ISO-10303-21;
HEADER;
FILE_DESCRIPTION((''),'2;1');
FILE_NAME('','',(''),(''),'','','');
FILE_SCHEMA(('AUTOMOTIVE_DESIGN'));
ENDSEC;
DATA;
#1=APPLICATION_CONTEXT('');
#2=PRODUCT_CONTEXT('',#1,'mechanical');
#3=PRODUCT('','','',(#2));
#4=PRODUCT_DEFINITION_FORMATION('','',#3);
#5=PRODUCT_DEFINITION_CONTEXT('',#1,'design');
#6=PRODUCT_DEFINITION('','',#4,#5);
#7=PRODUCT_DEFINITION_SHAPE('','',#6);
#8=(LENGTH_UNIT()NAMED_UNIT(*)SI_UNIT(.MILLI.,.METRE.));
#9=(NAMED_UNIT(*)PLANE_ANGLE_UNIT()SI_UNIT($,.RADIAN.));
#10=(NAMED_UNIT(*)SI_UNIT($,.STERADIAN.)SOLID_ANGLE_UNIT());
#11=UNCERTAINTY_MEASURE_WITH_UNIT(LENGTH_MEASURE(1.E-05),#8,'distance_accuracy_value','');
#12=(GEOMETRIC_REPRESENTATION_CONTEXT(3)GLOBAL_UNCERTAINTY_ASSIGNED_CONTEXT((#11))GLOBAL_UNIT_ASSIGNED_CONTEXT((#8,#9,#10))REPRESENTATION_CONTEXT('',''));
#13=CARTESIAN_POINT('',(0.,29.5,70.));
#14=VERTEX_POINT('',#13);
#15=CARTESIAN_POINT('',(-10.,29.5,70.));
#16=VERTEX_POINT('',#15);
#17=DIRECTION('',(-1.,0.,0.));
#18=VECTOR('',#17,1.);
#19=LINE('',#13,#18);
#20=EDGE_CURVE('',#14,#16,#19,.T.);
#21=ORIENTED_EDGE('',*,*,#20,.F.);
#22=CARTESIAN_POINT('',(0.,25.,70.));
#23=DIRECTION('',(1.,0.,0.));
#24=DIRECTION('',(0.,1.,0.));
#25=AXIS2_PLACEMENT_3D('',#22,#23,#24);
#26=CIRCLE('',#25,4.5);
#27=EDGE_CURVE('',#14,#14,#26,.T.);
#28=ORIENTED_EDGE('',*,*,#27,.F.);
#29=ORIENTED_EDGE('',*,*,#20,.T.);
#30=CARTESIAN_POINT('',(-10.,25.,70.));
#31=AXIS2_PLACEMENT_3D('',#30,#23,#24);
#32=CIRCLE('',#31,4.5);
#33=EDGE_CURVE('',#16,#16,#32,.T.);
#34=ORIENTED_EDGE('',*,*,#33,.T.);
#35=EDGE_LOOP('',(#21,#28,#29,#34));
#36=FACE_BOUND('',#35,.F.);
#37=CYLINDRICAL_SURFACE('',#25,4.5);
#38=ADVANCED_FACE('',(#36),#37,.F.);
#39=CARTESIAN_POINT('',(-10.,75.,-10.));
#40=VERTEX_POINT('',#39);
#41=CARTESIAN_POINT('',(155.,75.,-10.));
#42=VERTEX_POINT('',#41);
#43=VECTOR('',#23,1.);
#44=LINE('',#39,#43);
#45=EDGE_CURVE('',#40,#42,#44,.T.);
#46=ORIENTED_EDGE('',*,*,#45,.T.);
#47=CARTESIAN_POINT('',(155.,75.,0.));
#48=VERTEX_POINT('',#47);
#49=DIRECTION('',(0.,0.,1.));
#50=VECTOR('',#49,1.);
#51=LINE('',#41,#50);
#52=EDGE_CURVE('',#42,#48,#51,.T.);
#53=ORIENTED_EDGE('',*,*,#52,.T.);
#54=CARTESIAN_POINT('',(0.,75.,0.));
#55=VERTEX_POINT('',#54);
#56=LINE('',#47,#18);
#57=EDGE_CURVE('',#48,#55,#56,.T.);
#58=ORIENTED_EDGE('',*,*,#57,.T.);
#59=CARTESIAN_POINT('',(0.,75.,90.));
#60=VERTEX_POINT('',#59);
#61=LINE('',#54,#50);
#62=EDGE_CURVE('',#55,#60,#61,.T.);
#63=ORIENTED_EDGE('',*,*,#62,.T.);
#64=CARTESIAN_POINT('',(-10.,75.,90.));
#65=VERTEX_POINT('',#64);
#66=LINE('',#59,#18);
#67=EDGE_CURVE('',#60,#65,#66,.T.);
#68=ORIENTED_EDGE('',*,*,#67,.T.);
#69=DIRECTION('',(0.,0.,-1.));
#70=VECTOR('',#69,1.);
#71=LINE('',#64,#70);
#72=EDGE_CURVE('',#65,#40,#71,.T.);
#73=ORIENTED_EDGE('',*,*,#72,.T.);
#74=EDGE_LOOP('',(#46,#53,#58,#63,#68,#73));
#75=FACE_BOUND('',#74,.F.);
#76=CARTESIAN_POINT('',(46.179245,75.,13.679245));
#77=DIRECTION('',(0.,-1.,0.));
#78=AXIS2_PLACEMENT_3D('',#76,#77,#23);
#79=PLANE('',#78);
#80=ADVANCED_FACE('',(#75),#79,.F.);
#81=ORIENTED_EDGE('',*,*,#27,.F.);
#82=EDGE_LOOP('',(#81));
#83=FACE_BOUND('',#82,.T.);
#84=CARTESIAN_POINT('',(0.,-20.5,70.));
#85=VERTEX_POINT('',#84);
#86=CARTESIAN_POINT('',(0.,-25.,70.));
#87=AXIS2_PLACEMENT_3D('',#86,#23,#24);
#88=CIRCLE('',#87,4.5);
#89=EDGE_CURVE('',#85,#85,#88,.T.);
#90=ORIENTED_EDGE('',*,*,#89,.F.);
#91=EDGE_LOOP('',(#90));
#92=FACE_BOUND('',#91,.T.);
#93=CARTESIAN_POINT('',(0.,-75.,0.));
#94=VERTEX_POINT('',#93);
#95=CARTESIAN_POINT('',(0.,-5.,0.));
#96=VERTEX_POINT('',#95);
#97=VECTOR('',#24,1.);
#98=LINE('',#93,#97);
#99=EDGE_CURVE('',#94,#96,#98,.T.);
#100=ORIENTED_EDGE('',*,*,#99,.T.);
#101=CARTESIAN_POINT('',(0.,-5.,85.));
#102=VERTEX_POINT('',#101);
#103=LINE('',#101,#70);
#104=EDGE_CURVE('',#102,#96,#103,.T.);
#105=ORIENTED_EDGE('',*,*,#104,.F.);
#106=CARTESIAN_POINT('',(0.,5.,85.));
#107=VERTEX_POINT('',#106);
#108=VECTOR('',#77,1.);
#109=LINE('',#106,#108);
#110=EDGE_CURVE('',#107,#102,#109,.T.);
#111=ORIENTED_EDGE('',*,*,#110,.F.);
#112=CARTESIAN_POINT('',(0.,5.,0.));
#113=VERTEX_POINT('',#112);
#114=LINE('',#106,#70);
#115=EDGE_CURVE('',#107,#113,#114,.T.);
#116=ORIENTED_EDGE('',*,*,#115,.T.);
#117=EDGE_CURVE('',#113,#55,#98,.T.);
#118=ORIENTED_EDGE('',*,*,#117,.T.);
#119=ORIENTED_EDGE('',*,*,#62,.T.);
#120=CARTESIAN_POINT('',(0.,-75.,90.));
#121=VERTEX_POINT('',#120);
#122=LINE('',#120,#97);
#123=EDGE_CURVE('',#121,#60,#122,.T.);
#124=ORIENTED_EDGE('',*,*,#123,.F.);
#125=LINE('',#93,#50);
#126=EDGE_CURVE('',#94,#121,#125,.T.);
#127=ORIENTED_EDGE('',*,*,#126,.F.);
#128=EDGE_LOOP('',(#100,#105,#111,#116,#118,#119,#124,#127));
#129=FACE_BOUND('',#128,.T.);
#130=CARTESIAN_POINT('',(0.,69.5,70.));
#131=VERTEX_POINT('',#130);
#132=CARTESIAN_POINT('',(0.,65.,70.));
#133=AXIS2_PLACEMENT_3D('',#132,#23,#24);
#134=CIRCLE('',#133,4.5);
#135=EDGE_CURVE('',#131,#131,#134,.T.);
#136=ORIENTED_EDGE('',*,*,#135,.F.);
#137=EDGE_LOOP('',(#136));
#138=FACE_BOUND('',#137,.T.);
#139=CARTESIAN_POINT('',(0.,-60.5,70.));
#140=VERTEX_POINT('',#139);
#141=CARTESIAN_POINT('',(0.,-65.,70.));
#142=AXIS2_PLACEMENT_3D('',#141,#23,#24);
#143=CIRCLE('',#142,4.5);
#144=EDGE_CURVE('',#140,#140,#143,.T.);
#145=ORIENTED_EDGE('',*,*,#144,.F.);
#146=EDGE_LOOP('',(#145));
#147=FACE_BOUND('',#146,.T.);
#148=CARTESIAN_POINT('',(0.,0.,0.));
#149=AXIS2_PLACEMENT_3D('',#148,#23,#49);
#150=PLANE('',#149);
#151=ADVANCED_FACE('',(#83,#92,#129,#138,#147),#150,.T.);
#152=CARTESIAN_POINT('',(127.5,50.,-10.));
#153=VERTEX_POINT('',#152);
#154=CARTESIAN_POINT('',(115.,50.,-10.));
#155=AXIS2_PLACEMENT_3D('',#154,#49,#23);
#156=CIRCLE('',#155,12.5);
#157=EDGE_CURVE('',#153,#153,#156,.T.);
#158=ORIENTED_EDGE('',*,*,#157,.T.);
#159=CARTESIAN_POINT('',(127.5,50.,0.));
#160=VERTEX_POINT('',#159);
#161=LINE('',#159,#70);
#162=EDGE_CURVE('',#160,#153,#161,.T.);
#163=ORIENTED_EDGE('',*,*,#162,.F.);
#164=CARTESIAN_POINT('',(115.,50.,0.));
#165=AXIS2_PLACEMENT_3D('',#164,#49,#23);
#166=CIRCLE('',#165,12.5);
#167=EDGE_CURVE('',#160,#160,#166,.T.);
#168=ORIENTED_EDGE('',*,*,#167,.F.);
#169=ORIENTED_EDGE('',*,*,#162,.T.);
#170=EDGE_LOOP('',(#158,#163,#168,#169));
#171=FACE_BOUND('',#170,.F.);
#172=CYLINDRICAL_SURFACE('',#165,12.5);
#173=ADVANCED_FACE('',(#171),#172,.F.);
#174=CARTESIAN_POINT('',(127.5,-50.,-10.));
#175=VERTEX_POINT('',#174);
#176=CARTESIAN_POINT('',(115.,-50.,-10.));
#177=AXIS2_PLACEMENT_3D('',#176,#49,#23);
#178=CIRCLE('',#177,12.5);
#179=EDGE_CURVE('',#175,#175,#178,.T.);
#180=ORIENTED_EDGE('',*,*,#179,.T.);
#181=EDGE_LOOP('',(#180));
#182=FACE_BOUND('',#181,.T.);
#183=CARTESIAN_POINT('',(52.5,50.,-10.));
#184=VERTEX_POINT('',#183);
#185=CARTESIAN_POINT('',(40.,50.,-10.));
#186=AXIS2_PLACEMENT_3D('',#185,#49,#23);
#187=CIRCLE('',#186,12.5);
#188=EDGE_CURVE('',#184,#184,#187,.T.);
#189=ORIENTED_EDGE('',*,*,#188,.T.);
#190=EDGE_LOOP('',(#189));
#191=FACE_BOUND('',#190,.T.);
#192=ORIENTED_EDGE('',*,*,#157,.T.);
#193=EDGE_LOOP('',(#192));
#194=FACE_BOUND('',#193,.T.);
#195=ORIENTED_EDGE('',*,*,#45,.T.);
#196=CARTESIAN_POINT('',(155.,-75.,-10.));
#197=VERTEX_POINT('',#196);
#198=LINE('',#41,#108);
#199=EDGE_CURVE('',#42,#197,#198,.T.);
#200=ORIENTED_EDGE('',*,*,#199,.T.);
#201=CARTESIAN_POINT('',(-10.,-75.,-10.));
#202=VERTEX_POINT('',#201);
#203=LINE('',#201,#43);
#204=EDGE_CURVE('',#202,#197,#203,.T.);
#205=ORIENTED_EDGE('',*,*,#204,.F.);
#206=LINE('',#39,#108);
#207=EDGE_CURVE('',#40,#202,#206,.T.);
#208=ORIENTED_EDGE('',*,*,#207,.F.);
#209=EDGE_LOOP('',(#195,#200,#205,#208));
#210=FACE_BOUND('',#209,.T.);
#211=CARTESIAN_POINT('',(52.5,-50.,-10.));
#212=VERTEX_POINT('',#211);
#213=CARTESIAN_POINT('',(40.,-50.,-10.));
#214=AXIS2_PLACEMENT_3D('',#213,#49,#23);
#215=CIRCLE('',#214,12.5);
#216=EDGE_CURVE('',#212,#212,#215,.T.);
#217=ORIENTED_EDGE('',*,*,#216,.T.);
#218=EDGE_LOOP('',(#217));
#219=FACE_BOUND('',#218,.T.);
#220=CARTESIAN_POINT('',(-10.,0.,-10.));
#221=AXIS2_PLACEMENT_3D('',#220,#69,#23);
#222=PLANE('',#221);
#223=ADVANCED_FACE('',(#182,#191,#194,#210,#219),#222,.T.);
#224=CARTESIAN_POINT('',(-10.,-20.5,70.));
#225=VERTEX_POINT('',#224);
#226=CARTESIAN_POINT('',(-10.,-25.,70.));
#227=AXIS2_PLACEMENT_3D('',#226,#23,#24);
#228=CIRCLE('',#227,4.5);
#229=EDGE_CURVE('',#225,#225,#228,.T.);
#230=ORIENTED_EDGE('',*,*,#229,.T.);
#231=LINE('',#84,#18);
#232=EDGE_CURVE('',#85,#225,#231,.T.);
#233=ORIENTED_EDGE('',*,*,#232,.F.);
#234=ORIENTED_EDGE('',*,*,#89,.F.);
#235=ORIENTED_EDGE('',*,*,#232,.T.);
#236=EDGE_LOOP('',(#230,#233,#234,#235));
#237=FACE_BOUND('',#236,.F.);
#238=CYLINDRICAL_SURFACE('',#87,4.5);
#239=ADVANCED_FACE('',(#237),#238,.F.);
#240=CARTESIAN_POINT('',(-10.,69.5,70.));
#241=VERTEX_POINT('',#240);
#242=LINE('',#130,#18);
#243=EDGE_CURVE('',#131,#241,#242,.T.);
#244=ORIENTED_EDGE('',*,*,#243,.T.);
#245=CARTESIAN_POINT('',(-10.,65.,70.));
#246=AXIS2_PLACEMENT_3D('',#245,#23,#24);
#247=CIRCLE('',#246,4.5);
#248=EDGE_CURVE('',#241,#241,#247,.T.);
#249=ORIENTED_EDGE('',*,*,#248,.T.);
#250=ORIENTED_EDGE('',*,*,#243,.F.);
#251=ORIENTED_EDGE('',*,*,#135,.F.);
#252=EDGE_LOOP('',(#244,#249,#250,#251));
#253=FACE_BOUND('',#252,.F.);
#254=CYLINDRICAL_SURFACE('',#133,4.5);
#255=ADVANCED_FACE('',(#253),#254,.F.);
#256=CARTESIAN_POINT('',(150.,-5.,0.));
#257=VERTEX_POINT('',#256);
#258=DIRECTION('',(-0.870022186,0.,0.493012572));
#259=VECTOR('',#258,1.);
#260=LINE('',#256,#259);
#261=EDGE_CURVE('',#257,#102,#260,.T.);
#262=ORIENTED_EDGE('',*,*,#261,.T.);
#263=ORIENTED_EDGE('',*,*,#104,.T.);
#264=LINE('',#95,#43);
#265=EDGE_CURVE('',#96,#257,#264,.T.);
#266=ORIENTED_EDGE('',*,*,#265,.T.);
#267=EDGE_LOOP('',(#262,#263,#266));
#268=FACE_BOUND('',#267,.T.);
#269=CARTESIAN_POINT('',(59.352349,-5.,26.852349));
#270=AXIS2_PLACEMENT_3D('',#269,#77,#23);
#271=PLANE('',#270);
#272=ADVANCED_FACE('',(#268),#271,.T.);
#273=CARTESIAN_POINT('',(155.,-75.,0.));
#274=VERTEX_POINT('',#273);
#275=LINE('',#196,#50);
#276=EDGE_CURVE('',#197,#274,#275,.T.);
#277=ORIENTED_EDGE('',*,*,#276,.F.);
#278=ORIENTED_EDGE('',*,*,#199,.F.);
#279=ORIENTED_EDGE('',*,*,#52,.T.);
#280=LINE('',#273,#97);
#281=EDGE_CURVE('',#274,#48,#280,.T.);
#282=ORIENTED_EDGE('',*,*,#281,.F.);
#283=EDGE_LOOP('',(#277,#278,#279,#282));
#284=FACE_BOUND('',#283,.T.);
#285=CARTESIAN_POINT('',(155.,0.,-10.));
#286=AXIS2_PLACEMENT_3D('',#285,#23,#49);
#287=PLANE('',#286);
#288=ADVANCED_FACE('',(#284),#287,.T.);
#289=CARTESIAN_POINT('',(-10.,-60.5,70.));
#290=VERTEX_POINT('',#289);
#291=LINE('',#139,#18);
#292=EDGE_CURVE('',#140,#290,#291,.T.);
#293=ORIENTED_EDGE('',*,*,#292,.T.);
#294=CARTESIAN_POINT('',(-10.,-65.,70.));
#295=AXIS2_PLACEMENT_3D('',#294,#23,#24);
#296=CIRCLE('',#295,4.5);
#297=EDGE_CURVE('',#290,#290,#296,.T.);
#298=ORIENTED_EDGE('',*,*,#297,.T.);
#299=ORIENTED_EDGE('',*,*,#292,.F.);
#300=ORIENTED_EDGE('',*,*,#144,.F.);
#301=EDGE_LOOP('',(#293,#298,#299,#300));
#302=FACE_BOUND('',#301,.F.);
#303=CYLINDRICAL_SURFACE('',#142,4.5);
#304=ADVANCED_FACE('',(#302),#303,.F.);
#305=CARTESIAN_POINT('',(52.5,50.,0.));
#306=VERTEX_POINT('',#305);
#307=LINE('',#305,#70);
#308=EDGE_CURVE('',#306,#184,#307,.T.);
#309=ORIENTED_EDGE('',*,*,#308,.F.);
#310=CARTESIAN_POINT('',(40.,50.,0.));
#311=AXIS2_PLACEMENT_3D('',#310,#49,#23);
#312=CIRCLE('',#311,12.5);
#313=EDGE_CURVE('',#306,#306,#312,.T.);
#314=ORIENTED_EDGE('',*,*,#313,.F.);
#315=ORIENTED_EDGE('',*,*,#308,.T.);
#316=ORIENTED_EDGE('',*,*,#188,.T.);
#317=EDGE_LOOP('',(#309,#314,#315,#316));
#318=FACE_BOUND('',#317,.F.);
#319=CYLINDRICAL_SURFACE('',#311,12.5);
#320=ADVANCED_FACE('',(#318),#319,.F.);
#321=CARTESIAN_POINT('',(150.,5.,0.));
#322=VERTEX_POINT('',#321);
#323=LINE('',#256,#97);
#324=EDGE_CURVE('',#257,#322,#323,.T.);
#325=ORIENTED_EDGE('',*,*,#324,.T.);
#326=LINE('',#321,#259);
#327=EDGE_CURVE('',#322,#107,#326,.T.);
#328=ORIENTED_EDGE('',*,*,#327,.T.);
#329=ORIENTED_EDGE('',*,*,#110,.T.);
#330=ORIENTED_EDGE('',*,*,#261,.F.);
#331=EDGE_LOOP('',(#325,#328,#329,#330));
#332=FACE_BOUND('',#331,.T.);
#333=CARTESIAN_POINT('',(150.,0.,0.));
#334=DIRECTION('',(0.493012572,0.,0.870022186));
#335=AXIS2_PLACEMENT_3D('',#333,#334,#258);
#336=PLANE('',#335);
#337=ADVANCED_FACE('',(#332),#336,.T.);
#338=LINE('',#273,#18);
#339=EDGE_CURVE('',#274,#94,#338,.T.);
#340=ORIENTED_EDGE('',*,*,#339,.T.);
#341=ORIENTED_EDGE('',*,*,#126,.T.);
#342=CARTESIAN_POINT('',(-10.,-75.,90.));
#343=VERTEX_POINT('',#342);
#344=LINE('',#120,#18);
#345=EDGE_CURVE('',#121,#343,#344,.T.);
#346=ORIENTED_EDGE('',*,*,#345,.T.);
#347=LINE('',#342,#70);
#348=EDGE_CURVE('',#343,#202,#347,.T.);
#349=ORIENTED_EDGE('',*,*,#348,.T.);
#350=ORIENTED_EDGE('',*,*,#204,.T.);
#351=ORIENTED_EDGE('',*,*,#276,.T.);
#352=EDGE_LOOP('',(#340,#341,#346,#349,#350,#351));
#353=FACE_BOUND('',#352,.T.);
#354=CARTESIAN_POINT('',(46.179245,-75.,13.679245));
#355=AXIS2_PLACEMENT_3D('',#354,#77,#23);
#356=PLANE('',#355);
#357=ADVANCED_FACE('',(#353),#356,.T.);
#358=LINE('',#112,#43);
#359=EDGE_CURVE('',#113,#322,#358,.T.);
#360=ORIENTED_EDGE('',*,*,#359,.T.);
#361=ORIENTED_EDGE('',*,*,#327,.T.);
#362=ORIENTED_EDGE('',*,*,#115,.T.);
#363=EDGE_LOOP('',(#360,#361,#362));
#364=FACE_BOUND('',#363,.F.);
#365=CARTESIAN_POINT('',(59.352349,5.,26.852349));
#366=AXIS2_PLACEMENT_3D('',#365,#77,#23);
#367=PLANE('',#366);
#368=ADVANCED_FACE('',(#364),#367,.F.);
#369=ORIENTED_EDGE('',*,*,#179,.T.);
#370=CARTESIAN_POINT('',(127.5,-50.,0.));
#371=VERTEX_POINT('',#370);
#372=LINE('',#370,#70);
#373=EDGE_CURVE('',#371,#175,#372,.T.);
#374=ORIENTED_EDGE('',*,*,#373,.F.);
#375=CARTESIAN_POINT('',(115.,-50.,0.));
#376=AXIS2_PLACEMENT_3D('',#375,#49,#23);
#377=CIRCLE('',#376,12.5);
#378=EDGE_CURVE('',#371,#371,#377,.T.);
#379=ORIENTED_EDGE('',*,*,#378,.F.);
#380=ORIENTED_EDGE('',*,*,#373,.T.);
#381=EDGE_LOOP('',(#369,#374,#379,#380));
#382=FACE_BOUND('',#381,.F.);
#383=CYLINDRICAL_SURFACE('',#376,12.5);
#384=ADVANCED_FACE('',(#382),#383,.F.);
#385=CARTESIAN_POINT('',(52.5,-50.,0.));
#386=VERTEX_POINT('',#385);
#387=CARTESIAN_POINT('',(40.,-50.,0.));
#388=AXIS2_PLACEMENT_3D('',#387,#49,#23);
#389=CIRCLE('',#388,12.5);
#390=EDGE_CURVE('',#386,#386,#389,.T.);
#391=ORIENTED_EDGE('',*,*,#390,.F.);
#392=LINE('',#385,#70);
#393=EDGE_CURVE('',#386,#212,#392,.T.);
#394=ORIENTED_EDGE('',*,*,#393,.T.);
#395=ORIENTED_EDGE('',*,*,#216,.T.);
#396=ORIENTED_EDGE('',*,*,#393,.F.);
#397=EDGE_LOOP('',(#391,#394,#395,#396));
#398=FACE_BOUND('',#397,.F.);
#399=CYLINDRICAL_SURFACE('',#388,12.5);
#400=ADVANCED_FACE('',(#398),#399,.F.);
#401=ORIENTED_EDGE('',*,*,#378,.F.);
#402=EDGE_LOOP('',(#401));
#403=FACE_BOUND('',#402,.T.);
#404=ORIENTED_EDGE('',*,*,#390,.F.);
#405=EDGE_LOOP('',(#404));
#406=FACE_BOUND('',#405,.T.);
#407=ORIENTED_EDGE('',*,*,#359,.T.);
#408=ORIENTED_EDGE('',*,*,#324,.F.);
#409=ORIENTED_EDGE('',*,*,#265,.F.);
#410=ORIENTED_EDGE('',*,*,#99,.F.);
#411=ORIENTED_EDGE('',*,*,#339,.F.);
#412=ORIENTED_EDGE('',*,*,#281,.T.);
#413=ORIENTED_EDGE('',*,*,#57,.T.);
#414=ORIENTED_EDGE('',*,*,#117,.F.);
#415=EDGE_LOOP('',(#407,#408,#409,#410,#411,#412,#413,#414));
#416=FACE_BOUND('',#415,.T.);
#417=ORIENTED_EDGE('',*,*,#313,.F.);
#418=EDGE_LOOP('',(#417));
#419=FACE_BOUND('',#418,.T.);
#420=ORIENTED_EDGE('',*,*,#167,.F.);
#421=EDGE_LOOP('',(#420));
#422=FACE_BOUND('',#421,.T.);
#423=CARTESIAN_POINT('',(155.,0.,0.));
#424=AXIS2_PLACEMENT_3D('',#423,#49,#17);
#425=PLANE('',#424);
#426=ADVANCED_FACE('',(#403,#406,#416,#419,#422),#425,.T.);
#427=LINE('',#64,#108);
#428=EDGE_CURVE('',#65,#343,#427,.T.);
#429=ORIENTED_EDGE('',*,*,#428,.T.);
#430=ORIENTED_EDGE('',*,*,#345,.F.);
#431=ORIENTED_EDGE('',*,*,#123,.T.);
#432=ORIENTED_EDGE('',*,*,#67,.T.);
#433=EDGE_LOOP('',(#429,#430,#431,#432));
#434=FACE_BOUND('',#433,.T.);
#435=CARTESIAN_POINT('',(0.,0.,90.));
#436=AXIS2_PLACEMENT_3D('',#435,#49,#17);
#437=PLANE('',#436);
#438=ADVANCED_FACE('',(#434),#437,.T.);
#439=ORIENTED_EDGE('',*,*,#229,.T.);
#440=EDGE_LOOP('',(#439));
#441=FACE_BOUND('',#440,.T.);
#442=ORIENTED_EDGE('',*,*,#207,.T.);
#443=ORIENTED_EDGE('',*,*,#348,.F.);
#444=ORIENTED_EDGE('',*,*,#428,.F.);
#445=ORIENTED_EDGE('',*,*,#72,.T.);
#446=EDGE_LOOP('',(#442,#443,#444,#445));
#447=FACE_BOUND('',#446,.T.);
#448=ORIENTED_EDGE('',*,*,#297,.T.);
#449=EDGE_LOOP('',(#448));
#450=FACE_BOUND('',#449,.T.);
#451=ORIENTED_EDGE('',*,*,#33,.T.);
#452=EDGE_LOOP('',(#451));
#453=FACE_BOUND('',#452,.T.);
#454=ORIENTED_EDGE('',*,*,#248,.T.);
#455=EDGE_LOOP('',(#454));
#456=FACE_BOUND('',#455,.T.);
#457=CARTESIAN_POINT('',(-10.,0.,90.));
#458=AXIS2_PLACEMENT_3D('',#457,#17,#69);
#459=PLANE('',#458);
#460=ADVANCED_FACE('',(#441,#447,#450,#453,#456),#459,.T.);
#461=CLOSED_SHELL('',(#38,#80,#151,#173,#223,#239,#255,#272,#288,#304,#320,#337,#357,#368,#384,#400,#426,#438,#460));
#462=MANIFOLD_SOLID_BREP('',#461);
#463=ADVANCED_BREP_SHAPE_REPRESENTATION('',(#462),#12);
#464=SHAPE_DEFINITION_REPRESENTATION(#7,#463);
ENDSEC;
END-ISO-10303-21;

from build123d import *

# Parameters (mm, degrees)
F1_DEPTH      = 75
F1_DEPTH_BACK = 75
F3_DEPTH      = 5
F3_DEPTH_BACK = 5
F4_R          = 4.5
F5_DEPTH      = 10
F6_R          = 12.5
F7_DEPTH      = 10


with BuildPart() as f1:
    # F0 (on Front) → F1 (new body, two sides)
    with BuildSketch(Plane.XZ) as f1_sk:
        Polygon((0, 90), (-10, 90), (-10, -10), (155, -10), (155, 0), (0, 0), align=None)
    extrude(amount=F1_DEPTH)
    extrude(f1_sk.sketch, amount=-F1_DEPTH_BACK)

    # F2 (on Front) → F3 (join, two sides)
    with BuildSketch(Plane.XZ) as f3_sk:
        Polygon((150, 0), (0, 85), (0, 0), align=None)
    extrude(amount=F3_DEPTH)
    extrude(f3_sk.sketch, amount=-F3_DEPTH_BACK)

    # F4 (on Right) → F5 (cut, through all)
    with BuildSketch(Plane.YZ):
        with Locations((-65, 70)):
            Circle(F4_R)
        with Locations((-25, 70)):
            Circle(F4_R)
        with Locations((25, 70)):
            Circle(F4_R)
        with Locations((65, 70)):
            Circle(F4_R)
    extrude(amount=-F5_DEPTH, mode=Mode.SUBTRACT)

    # F6 (on Top) → F7 (cut, through all)
    with BuildSketch(Plane.XY):
        with Locations((40, 50)):
            Circle(F6_R)
        with Locations((115, 50)):
            Circle(F6_R)
        with Locations((115, -50)):
            Circle(F6_R)
        with Locations((40, -50)):
            Circle(F6_R)
    extrude(amount=-F7_DEPTH, mode=Mode.SUBTRACT)


solid = f1.part
